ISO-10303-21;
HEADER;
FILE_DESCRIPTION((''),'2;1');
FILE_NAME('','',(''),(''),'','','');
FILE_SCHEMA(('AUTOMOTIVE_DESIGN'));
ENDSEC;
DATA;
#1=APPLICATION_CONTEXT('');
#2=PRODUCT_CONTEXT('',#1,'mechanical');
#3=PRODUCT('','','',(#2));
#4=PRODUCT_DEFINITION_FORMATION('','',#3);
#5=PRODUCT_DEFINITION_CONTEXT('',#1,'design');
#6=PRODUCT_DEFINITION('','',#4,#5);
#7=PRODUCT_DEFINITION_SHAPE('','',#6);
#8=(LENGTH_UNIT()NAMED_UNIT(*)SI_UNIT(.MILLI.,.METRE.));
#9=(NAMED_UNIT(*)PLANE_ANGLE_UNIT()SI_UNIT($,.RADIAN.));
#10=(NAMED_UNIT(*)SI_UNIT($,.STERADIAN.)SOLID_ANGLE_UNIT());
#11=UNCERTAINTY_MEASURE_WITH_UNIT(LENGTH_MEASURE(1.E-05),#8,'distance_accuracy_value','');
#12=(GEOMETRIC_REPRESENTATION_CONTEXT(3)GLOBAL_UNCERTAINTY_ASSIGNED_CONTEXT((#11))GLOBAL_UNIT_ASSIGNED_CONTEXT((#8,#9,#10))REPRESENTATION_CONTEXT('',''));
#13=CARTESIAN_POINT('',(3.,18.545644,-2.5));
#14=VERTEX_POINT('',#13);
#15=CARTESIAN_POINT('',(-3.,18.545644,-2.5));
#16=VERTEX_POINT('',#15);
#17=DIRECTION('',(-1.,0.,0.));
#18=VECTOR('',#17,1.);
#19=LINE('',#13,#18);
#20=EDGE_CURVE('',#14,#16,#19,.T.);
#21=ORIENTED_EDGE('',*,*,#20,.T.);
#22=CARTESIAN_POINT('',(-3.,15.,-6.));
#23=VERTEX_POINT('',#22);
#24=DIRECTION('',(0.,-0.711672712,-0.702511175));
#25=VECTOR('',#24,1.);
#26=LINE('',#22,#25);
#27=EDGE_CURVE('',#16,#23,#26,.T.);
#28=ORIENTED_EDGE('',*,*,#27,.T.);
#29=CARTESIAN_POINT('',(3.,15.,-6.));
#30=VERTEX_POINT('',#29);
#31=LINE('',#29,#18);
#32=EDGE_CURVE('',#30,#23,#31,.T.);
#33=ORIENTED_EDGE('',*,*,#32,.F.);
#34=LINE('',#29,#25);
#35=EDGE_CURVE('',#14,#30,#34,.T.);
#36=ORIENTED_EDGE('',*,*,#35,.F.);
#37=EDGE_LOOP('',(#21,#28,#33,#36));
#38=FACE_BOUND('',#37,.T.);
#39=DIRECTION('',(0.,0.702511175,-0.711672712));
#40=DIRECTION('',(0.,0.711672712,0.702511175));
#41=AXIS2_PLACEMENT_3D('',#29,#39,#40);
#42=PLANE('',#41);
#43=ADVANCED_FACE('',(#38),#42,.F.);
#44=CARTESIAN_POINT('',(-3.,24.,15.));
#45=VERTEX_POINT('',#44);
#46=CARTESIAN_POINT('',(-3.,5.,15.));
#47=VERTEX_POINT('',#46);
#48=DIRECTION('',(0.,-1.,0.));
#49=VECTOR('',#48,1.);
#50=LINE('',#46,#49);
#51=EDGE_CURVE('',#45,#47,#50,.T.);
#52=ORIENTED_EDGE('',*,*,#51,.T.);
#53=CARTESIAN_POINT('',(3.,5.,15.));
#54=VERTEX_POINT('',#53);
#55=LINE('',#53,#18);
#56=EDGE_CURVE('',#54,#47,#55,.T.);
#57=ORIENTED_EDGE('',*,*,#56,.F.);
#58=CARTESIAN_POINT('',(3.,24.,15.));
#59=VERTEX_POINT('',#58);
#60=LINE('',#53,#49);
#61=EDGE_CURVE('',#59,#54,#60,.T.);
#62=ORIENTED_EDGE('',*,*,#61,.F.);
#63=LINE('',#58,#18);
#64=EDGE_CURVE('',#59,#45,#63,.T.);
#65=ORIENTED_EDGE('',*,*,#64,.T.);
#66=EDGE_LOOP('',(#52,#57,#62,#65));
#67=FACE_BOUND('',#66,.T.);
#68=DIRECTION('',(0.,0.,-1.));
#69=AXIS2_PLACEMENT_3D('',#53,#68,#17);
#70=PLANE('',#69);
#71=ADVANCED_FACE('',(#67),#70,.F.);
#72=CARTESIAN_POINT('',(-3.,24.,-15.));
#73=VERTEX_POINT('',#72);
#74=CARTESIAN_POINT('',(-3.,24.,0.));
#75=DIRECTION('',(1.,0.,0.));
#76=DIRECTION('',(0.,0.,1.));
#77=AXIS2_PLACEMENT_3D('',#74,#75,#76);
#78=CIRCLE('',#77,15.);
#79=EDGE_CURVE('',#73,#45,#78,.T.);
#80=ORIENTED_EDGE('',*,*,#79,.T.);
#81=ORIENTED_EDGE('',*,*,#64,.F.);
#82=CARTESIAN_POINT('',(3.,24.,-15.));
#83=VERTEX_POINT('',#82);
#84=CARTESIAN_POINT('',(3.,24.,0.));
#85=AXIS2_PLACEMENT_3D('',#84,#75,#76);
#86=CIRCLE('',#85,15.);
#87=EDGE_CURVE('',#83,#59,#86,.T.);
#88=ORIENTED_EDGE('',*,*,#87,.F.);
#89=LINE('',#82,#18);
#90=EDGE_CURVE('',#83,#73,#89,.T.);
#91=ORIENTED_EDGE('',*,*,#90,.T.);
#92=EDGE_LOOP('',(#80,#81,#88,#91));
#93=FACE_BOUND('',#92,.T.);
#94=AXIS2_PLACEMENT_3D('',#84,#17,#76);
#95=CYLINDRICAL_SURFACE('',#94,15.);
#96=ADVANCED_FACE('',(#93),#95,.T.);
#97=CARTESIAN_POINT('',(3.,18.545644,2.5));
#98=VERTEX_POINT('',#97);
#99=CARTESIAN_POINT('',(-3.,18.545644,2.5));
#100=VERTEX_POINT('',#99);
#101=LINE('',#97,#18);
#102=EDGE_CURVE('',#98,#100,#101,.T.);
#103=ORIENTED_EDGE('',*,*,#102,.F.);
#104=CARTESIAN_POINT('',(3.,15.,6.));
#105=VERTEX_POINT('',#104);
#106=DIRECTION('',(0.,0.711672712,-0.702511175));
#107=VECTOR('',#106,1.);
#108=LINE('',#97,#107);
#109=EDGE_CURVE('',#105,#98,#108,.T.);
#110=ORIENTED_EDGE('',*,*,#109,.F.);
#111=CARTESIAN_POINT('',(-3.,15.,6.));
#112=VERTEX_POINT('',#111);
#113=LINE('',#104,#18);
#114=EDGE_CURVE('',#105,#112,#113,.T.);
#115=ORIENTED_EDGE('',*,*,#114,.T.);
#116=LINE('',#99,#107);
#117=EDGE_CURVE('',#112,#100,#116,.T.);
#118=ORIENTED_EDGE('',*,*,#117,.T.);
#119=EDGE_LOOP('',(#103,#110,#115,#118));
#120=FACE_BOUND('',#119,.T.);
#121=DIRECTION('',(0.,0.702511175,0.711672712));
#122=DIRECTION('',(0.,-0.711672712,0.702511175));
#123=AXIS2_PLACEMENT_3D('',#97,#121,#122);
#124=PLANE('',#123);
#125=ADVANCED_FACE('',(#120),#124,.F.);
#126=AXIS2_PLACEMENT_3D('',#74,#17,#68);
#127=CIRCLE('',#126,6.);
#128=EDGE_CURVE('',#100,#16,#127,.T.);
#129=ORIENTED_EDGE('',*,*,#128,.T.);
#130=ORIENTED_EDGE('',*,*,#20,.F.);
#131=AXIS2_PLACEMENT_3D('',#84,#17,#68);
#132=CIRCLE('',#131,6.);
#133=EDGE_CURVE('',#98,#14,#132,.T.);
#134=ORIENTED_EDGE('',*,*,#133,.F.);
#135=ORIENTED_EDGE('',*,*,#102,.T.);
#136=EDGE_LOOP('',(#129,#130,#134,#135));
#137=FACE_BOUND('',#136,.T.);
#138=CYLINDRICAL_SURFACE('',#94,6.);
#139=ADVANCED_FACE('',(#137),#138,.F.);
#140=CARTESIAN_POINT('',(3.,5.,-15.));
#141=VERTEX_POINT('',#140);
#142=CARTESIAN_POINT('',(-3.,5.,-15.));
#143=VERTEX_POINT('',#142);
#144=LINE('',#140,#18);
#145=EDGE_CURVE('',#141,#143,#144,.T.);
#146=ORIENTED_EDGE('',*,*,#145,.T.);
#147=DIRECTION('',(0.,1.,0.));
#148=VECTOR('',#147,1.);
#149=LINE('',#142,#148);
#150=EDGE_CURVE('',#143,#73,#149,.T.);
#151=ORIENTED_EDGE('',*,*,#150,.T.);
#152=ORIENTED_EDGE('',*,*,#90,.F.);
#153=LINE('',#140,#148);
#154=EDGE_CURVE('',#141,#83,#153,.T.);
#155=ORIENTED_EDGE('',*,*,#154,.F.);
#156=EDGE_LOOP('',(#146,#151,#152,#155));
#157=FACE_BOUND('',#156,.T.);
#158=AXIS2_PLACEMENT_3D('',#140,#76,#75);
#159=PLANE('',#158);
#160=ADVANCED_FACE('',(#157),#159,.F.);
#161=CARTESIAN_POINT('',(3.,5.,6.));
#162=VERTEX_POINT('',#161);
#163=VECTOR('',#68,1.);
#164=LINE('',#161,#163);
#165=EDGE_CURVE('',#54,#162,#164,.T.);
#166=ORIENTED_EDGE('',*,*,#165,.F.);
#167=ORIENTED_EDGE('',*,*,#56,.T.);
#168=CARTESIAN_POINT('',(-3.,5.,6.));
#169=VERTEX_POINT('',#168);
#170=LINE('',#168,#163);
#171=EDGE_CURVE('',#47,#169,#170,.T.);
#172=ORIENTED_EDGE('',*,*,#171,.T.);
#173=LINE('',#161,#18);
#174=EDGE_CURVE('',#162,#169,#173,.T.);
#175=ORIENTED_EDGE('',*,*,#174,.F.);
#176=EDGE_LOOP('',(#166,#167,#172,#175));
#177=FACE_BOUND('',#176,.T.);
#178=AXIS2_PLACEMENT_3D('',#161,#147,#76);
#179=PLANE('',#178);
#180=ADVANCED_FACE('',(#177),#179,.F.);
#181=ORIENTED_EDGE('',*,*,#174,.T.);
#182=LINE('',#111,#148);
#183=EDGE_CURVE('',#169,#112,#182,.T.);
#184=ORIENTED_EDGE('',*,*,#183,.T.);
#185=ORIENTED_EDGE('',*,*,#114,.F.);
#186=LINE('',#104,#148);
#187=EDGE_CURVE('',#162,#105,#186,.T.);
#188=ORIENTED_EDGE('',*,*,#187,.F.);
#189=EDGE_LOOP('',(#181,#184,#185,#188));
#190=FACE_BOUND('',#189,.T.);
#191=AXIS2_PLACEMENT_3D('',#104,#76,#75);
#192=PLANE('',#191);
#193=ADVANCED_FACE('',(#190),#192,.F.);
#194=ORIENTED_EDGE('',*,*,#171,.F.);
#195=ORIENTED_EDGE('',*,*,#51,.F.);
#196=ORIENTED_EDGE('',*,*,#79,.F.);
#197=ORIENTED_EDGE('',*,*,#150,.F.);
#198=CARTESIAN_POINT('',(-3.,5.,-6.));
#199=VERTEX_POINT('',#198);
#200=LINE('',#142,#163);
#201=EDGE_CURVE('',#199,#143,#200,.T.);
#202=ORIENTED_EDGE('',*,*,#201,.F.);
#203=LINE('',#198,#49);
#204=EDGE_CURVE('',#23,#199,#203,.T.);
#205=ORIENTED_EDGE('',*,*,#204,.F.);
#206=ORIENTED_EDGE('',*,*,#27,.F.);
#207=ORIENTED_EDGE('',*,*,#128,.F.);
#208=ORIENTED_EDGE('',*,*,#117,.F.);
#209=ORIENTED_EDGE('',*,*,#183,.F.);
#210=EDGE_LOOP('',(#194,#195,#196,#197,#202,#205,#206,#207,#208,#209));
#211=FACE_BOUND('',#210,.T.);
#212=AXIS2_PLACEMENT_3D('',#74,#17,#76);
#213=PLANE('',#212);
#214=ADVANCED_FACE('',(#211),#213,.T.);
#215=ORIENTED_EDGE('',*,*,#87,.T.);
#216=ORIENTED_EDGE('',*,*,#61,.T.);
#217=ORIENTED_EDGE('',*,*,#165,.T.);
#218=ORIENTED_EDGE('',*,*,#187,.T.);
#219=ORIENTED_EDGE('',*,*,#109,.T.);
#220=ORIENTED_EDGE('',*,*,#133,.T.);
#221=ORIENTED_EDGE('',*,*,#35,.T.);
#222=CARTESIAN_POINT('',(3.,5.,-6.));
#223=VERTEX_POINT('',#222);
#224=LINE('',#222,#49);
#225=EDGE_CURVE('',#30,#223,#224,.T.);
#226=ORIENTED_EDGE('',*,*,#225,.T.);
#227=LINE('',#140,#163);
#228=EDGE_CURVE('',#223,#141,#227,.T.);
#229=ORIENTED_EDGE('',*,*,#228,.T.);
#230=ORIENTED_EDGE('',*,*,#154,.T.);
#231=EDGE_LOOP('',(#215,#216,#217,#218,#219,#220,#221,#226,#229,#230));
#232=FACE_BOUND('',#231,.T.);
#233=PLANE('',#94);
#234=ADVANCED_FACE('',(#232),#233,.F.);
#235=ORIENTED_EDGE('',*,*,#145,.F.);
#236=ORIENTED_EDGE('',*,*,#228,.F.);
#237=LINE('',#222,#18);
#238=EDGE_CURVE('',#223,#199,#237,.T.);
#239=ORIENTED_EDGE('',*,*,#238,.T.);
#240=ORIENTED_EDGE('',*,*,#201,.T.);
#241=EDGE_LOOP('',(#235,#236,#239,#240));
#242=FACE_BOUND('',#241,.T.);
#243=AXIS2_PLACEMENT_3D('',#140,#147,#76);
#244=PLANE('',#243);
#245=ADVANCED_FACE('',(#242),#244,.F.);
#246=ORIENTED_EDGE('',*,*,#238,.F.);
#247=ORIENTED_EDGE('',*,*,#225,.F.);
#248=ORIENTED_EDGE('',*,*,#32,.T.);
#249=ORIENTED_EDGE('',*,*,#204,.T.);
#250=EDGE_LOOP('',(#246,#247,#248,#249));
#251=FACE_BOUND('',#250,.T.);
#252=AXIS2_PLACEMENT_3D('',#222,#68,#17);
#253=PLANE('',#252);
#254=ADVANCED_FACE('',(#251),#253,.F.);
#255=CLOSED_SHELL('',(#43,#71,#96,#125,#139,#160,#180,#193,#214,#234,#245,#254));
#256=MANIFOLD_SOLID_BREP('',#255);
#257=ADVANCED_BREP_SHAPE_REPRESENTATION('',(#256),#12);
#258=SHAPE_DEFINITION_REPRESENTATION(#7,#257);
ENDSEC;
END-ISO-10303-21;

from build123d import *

# Parameters (mm, degrees)
EXTRUDE_1_DEPTH = 3


with BuildPart() as part:
    # Эскиз2 → Бобышка-Вытянуть1 (new, symmetric)
    with BuildSketch(Plane(origin=(0, 0, 0), x_dir=(0, 0, -1), z_dir=(1, 0, 0))):
        with BuildLine():
            Line((15, 5), (6, 5))
            Line((6, 5), (6, 15))
            Line((6, 15), (2.5, 18.545643943))
            ThreePointArc((2.5, 18.545643943), (0, 30), (-2.5, 18.545643943))
            Line((-2.5, 18.545643943), (-6, 15))
            Line((-6, 15), (-6, 5))
            Line((-6, 5), (-15, 5))
            Line((-15, 5), (-15, 24))
            ThreePointArc((-15, 24), (0, 39), (15, 24))
            Line((15, 24), (15, 5))
        make_face()
    extrude(amount=EXTRUDE_1_DEPTH, both=True)


solid = part.part
